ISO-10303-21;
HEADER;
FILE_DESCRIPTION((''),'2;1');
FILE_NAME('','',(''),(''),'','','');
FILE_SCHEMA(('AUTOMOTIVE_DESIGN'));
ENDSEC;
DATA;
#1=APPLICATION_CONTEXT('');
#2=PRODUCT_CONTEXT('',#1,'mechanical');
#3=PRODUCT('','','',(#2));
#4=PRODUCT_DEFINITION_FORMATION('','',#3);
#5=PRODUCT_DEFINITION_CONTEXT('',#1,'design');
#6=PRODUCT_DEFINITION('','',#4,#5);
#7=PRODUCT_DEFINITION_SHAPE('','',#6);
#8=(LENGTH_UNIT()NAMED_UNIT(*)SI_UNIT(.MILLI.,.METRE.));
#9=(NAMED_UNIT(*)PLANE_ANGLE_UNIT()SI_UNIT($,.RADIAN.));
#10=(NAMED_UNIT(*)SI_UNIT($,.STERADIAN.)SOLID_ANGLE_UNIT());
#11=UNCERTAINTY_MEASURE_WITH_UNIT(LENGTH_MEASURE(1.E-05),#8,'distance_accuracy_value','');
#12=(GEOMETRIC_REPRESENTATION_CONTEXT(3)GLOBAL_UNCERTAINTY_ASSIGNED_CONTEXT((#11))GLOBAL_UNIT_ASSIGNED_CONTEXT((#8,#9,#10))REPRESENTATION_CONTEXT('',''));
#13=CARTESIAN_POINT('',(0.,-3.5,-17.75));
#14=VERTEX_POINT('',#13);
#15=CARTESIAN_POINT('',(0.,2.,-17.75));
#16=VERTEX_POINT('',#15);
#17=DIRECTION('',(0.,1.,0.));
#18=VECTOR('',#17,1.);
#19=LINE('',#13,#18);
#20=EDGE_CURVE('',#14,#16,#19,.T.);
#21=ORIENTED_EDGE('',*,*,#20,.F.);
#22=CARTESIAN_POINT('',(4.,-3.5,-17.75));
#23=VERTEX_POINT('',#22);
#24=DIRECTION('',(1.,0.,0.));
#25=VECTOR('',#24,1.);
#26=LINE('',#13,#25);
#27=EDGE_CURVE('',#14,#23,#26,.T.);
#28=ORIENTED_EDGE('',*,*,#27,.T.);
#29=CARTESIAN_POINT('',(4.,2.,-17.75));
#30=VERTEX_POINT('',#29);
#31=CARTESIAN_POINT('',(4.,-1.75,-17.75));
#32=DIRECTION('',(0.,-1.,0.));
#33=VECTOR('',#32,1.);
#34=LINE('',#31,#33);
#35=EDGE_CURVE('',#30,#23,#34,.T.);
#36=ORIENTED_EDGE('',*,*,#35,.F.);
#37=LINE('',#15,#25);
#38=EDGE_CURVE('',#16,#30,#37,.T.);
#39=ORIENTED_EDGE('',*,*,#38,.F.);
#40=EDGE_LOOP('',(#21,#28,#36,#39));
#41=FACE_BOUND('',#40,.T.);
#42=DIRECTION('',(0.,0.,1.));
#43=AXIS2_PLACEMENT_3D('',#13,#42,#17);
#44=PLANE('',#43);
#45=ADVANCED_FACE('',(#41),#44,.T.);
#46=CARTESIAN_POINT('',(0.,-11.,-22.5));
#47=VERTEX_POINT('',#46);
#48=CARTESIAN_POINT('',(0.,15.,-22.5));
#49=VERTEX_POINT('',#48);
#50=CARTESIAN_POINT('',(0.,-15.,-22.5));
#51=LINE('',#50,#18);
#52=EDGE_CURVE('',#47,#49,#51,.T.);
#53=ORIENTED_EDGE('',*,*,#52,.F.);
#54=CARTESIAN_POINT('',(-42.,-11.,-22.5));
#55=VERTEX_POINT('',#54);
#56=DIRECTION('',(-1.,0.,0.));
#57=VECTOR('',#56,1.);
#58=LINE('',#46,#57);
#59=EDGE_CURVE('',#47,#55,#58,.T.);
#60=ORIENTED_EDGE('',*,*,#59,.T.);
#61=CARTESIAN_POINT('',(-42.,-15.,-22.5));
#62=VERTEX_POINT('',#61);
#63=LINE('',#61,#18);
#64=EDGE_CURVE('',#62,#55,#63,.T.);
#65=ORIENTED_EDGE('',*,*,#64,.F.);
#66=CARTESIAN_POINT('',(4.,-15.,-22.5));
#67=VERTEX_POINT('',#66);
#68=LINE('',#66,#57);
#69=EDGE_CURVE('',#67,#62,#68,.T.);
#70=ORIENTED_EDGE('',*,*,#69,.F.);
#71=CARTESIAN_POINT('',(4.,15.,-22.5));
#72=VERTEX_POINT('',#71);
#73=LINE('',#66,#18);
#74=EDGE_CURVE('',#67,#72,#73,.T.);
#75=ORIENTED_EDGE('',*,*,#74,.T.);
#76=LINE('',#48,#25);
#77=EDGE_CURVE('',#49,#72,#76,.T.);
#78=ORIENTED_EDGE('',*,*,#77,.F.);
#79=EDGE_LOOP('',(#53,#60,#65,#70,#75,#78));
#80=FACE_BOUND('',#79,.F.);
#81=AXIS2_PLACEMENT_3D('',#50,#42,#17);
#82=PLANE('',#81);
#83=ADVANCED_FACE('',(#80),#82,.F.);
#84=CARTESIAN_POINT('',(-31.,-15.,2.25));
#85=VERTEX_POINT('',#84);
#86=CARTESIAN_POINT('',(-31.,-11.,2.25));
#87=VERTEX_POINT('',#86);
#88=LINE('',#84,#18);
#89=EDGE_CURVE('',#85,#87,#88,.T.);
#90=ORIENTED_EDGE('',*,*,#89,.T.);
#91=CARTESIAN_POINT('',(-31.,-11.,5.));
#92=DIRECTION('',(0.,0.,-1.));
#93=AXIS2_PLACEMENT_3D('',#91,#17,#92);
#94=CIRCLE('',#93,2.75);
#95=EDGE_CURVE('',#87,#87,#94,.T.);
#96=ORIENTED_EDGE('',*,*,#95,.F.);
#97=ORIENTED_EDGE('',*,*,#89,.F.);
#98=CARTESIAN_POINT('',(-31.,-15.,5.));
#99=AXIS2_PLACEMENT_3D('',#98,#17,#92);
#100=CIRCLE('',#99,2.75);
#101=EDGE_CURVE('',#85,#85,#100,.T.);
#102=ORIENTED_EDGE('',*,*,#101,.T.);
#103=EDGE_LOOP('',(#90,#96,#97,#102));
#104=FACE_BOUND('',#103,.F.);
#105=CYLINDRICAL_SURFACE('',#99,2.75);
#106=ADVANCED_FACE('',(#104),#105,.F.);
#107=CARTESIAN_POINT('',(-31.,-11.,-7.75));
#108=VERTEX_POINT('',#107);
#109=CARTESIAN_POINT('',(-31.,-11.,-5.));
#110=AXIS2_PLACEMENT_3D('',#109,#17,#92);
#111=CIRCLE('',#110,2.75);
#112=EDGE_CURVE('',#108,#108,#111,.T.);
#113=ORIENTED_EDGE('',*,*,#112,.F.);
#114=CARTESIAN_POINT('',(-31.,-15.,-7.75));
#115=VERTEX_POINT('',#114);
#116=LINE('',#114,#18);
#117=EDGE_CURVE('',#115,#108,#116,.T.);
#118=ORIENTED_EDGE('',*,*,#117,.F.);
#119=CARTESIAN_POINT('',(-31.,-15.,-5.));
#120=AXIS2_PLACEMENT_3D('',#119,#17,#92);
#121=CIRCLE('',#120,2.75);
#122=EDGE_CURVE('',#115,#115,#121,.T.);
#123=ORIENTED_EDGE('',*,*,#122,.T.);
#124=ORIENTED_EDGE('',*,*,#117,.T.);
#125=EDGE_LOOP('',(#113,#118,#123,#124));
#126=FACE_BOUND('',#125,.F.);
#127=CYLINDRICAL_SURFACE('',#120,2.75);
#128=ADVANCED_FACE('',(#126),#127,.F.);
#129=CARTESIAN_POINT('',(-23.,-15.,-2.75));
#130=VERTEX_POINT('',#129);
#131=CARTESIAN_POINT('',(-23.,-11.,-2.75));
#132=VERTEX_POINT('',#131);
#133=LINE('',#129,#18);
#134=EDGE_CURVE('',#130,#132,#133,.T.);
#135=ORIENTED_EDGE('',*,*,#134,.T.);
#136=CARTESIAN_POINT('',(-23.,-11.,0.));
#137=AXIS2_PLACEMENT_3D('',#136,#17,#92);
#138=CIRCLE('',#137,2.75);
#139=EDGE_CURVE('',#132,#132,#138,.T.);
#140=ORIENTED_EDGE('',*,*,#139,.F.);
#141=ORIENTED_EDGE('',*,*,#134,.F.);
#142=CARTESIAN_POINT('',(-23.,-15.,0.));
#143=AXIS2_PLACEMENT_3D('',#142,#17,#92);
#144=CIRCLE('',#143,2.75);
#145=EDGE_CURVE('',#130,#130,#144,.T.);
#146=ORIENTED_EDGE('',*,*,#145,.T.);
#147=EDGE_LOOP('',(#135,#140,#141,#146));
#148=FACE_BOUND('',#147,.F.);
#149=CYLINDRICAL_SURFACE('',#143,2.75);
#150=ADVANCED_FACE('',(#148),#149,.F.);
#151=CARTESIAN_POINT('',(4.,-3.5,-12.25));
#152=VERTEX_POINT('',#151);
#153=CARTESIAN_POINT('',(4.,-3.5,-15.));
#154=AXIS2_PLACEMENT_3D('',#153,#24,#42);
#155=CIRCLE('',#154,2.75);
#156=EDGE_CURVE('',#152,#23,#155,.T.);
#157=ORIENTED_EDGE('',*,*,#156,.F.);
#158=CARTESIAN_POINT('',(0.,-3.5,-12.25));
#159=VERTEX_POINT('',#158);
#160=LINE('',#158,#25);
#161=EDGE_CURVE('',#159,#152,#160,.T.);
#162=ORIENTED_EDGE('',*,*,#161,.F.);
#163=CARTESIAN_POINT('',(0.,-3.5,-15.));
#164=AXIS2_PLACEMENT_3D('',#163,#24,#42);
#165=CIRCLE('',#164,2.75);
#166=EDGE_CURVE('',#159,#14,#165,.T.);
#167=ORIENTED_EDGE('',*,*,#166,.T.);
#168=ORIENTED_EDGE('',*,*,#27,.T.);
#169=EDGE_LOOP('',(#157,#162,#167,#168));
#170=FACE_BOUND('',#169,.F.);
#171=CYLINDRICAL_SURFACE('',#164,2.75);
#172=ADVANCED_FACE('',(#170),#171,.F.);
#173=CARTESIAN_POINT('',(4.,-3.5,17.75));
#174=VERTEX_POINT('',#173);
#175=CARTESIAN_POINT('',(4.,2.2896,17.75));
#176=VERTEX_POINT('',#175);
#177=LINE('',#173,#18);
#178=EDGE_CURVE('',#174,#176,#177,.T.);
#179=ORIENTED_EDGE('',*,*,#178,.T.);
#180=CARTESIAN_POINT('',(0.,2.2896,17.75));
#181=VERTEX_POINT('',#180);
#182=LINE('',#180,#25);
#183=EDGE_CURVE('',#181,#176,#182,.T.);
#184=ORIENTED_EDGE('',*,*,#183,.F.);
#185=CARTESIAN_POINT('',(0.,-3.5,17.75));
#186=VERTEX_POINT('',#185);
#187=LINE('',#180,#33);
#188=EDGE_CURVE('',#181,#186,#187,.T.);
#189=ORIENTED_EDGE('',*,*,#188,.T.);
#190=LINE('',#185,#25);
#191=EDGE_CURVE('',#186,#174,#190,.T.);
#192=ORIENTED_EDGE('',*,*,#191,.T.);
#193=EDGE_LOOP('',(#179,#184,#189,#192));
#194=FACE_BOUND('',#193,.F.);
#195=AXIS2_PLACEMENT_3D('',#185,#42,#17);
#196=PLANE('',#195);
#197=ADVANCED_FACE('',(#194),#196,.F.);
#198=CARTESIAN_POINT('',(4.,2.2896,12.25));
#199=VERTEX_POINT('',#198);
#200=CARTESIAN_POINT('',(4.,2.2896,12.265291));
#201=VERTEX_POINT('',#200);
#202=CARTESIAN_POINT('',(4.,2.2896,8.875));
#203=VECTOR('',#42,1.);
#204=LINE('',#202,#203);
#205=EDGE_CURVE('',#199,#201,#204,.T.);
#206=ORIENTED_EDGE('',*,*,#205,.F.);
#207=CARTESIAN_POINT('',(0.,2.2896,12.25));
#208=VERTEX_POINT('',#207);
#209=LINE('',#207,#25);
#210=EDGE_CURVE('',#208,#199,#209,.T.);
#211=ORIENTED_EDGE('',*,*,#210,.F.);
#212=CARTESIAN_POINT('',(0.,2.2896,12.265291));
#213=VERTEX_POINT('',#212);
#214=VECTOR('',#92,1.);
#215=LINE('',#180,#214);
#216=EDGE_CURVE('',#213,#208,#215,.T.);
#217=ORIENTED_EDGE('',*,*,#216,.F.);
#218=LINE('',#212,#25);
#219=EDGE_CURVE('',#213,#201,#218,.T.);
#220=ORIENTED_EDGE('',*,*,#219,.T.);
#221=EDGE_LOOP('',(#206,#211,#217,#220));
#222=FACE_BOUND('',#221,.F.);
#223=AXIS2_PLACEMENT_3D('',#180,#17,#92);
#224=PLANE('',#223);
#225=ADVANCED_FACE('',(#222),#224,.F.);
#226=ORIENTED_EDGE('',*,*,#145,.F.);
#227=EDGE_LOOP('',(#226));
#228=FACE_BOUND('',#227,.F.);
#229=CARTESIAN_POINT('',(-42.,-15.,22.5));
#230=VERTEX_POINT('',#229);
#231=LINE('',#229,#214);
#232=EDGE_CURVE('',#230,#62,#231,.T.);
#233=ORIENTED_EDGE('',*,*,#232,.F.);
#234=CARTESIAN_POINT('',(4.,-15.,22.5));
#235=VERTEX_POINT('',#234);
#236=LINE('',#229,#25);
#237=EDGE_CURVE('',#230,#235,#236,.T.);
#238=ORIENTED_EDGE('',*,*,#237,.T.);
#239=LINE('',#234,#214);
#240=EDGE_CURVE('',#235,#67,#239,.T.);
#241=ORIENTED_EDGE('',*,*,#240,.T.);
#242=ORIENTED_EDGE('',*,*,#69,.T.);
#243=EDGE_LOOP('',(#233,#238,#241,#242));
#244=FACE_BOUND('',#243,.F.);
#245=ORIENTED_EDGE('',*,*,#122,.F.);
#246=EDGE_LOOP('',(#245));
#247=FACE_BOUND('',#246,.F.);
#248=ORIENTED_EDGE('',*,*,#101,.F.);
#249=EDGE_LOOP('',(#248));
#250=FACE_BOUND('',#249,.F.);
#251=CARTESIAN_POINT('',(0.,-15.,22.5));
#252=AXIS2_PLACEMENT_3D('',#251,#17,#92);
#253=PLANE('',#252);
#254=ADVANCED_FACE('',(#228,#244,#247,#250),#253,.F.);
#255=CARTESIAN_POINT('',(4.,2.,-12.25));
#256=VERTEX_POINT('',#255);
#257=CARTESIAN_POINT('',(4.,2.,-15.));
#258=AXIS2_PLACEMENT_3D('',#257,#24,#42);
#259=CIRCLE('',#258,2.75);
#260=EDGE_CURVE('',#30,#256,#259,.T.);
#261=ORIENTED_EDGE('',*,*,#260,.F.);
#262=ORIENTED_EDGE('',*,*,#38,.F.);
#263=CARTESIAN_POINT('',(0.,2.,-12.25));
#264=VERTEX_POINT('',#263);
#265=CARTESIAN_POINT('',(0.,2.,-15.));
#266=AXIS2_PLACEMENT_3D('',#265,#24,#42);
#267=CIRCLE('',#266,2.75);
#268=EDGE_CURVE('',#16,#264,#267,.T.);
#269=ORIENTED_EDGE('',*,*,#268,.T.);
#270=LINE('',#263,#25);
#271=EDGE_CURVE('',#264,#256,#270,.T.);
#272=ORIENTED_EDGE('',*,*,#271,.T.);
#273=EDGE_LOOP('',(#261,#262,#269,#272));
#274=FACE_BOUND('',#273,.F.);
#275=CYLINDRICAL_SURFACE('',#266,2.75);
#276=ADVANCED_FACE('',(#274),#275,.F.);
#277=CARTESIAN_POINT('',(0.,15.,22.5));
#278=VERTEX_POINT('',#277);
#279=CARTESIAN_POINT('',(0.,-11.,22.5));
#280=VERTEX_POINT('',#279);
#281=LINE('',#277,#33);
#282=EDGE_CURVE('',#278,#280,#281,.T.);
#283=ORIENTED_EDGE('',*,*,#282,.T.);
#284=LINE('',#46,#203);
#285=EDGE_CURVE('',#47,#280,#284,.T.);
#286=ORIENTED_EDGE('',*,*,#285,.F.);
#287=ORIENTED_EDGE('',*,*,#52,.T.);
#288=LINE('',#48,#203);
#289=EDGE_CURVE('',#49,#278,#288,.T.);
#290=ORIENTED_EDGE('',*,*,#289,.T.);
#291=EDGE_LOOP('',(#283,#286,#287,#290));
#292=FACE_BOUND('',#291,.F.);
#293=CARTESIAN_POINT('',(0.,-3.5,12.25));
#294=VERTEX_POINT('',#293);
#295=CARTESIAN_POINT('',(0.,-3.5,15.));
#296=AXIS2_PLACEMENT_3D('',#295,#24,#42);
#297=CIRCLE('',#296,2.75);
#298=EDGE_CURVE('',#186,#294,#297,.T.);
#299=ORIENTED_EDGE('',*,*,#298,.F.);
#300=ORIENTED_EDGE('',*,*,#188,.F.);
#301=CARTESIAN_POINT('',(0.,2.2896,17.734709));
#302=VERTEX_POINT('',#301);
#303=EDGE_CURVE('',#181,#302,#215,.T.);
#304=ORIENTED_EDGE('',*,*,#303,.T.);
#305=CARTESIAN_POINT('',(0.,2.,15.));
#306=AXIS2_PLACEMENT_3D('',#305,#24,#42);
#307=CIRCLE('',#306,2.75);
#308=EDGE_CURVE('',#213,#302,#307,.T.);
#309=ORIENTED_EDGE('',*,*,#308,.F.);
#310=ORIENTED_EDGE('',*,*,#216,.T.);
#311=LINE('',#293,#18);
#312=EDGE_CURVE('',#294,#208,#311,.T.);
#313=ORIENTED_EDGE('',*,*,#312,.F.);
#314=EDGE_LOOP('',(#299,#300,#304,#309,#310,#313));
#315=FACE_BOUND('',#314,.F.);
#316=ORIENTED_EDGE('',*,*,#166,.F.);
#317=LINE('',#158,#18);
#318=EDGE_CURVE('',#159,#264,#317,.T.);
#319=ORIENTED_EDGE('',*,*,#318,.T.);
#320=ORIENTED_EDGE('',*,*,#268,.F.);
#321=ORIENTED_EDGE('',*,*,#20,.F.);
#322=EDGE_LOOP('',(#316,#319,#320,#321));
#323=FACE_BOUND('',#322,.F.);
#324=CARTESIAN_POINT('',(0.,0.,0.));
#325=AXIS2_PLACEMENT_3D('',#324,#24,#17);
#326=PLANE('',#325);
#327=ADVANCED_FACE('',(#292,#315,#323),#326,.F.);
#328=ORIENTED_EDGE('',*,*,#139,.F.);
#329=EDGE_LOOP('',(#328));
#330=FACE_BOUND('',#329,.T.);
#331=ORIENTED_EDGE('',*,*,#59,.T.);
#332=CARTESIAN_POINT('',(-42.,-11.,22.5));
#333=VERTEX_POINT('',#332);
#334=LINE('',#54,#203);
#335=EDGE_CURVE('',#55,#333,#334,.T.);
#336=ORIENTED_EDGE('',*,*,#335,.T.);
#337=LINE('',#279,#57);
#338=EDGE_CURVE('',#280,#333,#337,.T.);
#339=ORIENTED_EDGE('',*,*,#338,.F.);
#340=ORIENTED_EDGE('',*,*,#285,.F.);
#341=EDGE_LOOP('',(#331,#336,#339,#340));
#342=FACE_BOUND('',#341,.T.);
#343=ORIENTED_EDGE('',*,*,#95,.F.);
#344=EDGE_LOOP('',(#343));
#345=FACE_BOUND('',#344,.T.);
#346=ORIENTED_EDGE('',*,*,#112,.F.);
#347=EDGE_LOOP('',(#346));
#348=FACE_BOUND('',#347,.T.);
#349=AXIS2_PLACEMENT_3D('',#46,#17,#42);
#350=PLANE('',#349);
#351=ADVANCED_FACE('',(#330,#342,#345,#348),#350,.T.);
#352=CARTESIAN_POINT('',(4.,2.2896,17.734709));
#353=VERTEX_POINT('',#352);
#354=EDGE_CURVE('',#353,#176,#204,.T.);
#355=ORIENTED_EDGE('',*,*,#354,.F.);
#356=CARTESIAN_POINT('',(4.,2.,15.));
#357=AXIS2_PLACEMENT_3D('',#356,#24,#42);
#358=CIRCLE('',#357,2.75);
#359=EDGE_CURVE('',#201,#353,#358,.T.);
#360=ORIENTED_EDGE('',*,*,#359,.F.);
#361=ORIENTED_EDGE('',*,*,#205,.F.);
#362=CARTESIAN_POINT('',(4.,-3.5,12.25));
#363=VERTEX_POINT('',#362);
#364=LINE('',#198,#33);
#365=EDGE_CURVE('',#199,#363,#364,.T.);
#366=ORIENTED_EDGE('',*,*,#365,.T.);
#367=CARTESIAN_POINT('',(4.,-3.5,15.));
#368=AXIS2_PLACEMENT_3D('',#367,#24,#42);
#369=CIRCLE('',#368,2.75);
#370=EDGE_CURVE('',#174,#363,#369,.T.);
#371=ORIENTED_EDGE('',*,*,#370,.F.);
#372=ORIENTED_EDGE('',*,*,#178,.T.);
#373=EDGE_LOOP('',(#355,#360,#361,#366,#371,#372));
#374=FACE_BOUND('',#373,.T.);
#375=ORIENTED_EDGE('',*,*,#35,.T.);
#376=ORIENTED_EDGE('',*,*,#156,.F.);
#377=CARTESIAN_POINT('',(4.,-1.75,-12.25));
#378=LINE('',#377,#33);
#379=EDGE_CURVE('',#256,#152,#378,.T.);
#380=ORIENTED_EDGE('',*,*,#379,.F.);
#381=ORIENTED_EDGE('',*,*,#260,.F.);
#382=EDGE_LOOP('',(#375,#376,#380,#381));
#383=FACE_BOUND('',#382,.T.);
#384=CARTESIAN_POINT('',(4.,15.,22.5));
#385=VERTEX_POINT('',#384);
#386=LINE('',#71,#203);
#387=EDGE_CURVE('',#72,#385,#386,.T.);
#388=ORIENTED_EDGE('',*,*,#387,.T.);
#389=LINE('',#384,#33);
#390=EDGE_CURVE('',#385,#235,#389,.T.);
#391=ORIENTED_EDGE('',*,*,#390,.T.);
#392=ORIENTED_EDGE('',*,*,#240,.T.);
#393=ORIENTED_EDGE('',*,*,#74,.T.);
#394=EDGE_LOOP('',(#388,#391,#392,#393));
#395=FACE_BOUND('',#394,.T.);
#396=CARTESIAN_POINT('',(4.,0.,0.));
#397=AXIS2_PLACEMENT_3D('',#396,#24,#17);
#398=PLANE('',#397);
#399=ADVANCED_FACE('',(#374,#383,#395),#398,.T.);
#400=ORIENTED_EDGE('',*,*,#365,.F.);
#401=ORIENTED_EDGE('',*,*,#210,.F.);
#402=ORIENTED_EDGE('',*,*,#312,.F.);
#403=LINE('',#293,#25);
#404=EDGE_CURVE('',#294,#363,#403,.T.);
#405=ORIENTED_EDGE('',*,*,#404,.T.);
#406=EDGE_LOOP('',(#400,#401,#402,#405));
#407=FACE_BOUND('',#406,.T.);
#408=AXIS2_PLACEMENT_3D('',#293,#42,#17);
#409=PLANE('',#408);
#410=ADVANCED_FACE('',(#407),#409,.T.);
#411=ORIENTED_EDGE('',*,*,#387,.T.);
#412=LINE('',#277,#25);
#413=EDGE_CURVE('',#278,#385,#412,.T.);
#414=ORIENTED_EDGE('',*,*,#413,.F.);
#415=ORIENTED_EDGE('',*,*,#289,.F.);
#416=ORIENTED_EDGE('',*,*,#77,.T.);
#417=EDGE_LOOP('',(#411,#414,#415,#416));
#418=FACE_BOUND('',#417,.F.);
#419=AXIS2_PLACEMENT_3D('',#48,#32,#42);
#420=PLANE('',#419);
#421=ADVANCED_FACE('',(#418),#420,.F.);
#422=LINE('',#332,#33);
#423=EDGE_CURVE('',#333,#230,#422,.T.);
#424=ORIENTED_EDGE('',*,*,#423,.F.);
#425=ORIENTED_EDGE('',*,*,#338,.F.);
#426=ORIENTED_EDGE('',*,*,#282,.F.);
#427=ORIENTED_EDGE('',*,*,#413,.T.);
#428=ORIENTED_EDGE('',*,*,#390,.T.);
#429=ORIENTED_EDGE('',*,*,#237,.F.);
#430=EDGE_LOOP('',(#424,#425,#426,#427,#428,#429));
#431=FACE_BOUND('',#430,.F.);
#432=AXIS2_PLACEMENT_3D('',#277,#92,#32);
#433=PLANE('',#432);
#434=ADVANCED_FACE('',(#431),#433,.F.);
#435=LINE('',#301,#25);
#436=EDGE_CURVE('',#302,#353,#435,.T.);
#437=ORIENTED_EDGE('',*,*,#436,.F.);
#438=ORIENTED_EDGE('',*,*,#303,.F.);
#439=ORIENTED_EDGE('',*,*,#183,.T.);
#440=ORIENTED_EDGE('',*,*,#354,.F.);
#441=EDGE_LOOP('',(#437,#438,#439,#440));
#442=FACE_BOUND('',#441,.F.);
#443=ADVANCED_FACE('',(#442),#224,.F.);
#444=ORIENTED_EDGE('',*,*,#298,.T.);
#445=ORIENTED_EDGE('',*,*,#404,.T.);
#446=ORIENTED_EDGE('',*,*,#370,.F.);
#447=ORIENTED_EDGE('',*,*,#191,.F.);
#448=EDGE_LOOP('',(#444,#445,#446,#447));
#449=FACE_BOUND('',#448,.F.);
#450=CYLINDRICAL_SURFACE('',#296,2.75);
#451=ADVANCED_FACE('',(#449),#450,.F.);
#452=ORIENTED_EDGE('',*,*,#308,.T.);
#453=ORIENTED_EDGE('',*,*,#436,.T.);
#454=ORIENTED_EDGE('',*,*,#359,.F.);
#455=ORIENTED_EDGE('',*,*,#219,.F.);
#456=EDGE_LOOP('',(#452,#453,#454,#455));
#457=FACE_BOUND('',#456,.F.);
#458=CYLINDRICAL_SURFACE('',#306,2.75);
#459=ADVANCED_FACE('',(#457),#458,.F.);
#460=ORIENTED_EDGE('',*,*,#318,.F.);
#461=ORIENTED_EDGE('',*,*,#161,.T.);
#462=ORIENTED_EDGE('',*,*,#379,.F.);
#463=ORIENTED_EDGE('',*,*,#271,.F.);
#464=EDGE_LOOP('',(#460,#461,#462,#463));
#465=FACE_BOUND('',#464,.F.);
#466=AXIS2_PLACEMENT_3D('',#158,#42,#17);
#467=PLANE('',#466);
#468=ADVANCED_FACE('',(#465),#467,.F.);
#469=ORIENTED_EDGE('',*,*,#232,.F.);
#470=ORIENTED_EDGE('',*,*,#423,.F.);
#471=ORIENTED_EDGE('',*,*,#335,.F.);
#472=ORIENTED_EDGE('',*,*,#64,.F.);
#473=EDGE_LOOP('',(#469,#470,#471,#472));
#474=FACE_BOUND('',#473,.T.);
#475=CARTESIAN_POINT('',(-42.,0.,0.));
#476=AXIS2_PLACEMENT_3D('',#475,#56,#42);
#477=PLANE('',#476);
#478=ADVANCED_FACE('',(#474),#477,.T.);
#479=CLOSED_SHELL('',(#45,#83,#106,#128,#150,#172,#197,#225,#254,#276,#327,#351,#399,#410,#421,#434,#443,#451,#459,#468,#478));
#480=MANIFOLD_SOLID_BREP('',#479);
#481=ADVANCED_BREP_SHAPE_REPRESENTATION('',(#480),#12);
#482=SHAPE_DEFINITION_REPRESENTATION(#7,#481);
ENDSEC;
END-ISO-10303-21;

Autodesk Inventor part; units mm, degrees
ref_plane "YZ Plane" through (0, 0, 0) normal (1, 0, 0) x (0, 1, 0)
ref_plane "XZ Plane" through (0, 0, 0) normal (0, 1, 0) x (-1, 0, 0)
ref_plane "XY Plane" through (0, 0, 0) normal (0, 0, 1) x (1, 0, 0)
sketch "Skizze1" plane through (0, 0, 0) normal (1, 0, 0) x (0, 1, 0)
  line L0 (15, 22.5) -> (-15, 22.5)
  line L1 (-15, 22.5) -> (-15, -22.5)
  line L2 (-15, -22.5) -> (15, -22.5)
  line L3 (15, -22.5) -> (15, 22.5)
  line L4 (15, 22.5) -> (-15, -22.5) construction
  line L5 (-15, 22.5) -> (15, -22.5) construction
  point P0 (0, 0)
  dimension "d0" = 30
  dimension "d1" = 45
extrude "Extrusion1" add sketch "Skizze1" along normal blind 4
sketch "Skizze2" plane through (0, 0, 0) normal (-1, 0, 0) x (0, 0, 1)
  line L0 (-22.5, -15) -> (-22.5, 15) projected
  line L1 (-22.5, -11) -> (22.5, -11)
  line L2 (22.5, -11) -> (22.5, -15)
  line L3 (22.5, -15) -> (-22.5, -15)
  line L4 (-22.5, -15) -> (-22.5, -11)
  line L5 (22.5, -15) -> (-22.5, -15) projected
  point P0 (0, 0)
  dimension "d4" = 4
  dimension "d5" = 0
extrude "Extrusion2" add sketch "Skizze2" along normal blind 42
sketch "Skizze3" plane through (4, -15, -22.5) normal (0, -1, 0) x (1, 0, 0)
  line L0 (0, 22.5) -> (-45.8958, 22.5)
  line L1 (0, 45) -> (0, 0) projected
  line L2 (-46, 0) -> (-46, 45) projected
  point P0 (-4, 22.5)
  point P1 (-27, 22.5)
  point P2 (-35, 17.5)
  point P3 (-35, 27.5)
  point P4 (-46, 22.5)
  dimension "d15" = 27
  dimension "d17" = 10
  dimension "d18" = 35
  dimension "d19" = 0
  dimension "d21" = 5
hole "Bohrung1" at (-23, -15, 0) at (-31, -15, -5) at (-31, -15, 5) direction (0, 1, 0) diameter 5.5 depth 11.8 tip angle 118
sketch "Skizze5" plane through (0, 0, 0) normal (-1, 0, 0) x (0, 0, 1)
  line L0 (-22.5, -15) -> (22.5, -15) projected
  point P0 (0, 0)
  point P1 (15, -3.5)
  point P2 (-15, -3.5)
  point P3 (15, 2)
  point P4 (-15, 2)
  dimension "d29" = 30
  dimension "d30" = 15
  dimension "d31" = 11.5
  dimension "d32" = 11.5
  dimension "d33" = 15
  dimension "d34" = 30
  dimension "d35" = 5.5
  dimension "d36" = 5.5
hole "Bohrung2" at (0, -3.5, 15) at (0, -3.5, -15) at (0, 2, 15) at (0, 2, -15) direction (1, 0, 0) diameter 5.5 depth 11.8 tip angle 118
sketch "Skizze6" plane through (0, 0, 0) normal (-1, 0, 0) x (0, 0, 1)
  circle A0 centre (15, -3.5) radius 2.75 projected
  line L0 (17.75, -3.5) -> (17.75, 2.2896)
  line L1 (12.25, -3.5) -> (12.25, 2.2896)
  circle A1 centre (-15, -3.5) radius 2.75 projected
  line L2 (-12.25, -3.5) -> (-12.25, 2.2896)
  line L3 (-17.75, -3.5) -> (-17.75, 2)
  circle A2 centre (-15, 2) radius 2.75 projected
  line L4 (17.75, -3.5) -> (12.25, -3.5)
  line L5 (17.75, 2.2896) -> (12.25, 2.2896)
  line L6 (-12.25, -3.5) -> (-17.75, -3.5)
  line L7 (-12.25, 2.2896) -> (-17.7347, 2.2896)
  circle A3 centre (-15, 2) radius 2.75 projected
  point P0 (0, 0)
  point P1 (15, -0.75)
  point P2 (-15, -0.75)
  point P3 (-12.25, 2)
extrude "Extrusion3" cut sketch "Skizze6" against normal blind 6 contours A0 L1 L5 L0 | L3 A2 A1 | A1 A2 L2
properties part number "Montagewinkel für Spannelement"
